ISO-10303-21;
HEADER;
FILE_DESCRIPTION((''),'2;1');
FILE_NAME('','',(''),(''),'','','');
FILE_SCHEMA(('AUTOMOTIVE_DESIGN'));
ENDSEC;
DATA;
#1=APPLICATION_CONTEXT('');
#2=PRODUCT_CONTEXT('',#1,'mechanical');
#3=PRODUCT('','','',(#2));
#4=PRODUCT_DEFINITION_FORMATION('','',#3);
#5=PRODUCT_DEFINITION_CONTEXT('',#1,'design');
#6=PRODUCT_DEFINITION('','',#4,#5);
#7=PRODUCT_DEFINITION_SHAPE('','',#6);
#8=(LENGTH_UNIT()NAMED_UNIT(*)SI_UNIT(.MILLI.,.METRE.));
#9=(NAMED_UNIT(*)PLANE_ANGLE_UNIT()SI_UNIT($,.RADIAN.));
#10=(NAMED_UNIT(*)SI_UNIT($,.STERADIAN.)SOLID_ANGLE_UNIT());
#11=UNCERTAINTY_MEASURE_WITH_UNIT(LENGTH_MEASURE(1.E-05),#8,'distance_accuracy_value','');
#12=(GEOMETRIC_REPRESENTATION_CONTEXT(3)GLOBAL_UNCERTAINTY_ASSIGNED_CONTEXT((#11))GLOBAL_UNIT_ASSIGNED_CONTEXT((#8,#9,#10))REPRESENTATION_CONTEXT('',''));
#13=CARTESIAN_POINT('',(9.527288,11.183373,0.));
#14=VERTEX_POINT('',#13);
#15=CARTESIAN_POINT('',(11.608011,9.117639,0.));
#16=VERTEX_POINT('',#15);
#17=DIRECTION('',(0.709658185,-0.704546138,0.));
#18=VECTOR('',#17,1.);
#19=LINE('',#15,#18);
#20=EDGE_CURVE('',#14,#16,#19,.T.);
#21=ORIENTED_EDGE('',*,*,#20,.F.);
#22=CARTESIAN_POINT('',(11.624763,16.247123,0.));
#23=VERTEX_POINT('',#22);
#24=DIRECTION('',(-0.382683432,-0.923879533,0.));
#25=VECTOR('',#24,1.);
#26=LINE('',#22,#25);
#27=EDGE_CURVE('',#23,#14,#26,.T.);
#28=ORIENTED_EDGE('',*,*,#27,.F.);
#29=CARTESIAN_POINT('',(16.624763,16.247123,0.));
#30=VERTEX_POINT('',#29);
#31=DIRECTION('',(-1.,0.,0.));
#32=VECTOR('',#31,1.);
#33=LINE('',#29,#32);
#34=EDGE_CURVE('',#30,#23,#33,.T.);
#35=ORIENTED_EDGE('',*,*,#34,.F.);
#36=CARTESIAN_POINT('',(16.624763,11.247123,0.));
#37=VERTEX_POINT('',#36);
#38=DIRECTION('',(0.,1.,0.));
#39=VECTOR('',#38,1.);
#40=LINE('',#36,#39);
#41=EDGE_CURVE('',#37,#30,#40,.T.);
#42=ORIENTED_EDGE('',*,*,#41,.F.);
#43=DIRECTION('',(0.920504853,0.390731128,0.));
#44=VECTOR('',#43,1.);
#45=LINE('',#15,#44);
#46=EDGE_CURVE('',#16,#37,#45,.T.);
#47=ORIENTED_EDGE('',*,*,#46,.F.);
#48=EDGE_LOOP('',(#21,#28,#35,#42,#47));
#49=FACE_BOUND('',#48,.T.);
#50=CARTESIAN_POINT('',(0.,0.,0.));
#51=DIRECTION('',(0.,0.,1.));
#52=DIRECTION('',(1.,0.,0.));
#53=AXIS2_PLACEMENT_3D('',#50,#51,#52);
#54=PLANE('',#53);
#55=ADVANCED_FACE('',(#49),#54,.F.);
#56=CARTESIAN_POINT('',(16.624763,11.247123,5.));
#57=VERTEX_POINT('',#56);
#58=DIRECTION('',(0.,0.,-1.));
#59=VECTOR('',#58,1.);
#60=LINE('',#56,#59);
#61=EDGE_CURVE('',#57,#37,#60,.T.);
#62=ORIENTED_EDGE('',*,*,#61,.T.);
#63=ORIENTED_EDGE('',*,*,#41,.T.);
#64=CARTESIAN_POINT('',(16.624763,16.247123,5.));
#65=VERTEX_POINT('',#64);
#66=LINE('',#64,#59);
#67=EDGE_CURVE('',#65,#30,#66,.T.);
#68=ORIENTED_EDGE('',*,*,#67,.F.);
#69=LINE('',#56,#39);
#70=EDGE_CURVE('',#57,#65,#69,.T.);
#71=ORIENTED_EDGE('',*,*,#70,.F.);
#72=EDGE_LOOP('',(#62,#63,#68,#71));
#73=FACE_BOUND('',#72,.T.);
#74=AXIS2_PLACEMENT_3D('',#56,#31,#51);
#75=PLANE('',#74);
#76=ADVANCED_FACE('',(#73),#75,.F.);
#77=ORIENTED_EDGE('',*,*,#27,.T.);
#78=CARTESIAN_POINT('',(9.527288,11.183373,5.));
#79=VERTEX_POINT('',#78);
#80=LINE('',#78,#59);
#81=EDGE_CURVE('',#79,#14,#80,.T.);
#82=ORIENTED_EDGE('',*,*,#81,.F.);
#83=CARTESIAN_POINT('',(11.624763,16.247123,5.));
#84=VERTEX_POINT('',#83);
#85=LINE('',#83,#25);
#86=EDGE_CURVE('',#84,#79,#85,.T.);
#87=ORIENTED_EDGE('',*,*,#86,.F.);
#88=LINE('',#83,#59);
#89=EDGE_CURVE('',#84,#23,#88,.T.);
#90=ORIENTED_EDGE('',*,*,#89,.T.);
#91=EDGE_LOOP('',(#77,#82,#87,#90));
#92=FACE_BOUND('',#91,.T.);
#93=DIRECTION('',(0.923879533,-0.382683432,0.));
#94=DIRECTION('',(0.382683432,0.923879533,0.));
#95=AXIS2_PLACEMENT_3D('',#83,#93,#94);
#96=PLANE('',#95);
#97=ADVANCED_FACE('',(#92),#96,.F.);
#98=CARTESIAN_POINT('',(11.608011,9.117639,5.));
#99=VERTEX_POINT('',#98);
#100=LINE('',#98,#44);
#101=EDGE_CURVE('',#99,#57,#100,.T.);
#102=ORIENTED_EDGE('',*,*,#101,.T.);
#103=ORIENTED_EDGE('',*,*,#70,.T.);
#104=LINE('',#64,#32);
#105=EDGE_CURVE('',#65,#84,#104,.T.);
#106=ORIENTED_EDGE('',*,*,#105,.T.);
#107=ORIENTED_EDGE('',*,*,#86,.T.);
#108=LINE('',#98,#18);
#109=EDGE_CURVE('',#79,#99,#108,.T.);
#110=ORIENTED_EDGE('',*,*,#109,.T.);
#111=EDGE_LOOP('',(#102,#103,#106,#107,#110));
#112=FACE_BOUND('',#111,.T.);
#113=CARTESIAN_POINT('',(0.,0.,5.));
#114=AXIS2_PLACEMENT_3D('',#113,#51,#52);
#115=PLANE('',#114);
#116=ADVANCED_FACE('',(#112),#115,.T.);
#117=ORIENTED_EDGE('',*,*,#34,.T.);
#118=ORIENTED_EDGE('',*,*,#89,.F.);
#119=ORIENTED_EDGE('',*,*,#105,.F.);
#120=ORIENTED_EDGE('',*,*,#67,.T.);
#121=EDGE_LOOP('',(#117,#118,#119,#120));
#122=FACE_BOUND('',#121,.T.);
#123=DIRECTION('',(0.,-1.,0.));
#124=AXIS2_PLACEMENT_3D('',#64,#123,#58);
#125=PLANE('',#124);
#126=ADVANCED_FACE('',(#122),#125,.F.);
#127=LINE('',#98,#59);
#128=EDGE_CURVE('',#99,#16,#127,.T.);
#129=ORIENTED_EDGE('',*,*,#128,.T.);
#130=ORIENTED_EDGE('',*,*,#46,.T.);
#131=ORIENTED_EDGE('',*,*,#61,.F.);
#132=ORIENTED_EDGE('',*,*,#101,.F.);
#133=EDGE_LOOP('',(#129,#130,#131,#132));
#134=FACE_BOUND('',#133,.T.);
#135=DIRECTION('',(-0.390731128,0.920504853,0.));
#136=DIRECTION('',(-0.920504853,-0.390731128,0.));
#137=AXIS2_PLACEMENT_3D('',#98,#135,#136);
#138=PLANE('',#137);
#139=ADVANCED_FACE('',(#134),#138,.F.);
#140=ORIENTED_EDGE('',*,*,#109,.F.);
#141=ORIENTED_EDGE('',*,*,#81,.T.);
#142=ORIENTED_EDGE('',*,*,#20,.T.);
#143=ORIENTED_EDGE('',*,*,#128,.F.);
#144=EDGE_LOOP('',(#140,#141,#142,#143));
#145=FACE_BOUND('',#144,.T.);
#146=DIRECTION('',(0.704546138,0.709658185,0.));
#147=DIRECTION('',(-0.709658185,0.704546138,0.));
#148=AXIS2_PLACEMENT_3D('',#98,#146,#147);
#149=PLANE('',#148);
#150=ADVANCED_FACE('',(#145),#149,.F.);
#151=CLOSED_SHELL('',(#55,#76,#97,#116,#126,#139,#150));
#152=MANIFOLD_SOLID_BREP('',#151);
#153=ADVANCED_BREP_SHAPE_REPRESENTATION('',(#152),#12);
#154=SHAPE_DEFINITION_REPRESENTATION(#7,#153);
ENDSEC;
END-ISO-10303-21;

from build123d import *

# Parameters (mm, degrees)
EXTRUDE_1_DEPTH = 5


with BuildPart() as part:
    # 草图1 → 凸台-拉伸1 (new body)
    with BuildSketch(Plane.XY):
        Polygon((16.624762525, 11.247123494), (16.624762525, 16.247123494), (11.624762525, 16.247123494), (9.527288384, 11.183372976), (11.608011074, 9.117638844), align=None)
    extrude(amount=EXTRUDE_1_DEPTH)


solid = part.part
